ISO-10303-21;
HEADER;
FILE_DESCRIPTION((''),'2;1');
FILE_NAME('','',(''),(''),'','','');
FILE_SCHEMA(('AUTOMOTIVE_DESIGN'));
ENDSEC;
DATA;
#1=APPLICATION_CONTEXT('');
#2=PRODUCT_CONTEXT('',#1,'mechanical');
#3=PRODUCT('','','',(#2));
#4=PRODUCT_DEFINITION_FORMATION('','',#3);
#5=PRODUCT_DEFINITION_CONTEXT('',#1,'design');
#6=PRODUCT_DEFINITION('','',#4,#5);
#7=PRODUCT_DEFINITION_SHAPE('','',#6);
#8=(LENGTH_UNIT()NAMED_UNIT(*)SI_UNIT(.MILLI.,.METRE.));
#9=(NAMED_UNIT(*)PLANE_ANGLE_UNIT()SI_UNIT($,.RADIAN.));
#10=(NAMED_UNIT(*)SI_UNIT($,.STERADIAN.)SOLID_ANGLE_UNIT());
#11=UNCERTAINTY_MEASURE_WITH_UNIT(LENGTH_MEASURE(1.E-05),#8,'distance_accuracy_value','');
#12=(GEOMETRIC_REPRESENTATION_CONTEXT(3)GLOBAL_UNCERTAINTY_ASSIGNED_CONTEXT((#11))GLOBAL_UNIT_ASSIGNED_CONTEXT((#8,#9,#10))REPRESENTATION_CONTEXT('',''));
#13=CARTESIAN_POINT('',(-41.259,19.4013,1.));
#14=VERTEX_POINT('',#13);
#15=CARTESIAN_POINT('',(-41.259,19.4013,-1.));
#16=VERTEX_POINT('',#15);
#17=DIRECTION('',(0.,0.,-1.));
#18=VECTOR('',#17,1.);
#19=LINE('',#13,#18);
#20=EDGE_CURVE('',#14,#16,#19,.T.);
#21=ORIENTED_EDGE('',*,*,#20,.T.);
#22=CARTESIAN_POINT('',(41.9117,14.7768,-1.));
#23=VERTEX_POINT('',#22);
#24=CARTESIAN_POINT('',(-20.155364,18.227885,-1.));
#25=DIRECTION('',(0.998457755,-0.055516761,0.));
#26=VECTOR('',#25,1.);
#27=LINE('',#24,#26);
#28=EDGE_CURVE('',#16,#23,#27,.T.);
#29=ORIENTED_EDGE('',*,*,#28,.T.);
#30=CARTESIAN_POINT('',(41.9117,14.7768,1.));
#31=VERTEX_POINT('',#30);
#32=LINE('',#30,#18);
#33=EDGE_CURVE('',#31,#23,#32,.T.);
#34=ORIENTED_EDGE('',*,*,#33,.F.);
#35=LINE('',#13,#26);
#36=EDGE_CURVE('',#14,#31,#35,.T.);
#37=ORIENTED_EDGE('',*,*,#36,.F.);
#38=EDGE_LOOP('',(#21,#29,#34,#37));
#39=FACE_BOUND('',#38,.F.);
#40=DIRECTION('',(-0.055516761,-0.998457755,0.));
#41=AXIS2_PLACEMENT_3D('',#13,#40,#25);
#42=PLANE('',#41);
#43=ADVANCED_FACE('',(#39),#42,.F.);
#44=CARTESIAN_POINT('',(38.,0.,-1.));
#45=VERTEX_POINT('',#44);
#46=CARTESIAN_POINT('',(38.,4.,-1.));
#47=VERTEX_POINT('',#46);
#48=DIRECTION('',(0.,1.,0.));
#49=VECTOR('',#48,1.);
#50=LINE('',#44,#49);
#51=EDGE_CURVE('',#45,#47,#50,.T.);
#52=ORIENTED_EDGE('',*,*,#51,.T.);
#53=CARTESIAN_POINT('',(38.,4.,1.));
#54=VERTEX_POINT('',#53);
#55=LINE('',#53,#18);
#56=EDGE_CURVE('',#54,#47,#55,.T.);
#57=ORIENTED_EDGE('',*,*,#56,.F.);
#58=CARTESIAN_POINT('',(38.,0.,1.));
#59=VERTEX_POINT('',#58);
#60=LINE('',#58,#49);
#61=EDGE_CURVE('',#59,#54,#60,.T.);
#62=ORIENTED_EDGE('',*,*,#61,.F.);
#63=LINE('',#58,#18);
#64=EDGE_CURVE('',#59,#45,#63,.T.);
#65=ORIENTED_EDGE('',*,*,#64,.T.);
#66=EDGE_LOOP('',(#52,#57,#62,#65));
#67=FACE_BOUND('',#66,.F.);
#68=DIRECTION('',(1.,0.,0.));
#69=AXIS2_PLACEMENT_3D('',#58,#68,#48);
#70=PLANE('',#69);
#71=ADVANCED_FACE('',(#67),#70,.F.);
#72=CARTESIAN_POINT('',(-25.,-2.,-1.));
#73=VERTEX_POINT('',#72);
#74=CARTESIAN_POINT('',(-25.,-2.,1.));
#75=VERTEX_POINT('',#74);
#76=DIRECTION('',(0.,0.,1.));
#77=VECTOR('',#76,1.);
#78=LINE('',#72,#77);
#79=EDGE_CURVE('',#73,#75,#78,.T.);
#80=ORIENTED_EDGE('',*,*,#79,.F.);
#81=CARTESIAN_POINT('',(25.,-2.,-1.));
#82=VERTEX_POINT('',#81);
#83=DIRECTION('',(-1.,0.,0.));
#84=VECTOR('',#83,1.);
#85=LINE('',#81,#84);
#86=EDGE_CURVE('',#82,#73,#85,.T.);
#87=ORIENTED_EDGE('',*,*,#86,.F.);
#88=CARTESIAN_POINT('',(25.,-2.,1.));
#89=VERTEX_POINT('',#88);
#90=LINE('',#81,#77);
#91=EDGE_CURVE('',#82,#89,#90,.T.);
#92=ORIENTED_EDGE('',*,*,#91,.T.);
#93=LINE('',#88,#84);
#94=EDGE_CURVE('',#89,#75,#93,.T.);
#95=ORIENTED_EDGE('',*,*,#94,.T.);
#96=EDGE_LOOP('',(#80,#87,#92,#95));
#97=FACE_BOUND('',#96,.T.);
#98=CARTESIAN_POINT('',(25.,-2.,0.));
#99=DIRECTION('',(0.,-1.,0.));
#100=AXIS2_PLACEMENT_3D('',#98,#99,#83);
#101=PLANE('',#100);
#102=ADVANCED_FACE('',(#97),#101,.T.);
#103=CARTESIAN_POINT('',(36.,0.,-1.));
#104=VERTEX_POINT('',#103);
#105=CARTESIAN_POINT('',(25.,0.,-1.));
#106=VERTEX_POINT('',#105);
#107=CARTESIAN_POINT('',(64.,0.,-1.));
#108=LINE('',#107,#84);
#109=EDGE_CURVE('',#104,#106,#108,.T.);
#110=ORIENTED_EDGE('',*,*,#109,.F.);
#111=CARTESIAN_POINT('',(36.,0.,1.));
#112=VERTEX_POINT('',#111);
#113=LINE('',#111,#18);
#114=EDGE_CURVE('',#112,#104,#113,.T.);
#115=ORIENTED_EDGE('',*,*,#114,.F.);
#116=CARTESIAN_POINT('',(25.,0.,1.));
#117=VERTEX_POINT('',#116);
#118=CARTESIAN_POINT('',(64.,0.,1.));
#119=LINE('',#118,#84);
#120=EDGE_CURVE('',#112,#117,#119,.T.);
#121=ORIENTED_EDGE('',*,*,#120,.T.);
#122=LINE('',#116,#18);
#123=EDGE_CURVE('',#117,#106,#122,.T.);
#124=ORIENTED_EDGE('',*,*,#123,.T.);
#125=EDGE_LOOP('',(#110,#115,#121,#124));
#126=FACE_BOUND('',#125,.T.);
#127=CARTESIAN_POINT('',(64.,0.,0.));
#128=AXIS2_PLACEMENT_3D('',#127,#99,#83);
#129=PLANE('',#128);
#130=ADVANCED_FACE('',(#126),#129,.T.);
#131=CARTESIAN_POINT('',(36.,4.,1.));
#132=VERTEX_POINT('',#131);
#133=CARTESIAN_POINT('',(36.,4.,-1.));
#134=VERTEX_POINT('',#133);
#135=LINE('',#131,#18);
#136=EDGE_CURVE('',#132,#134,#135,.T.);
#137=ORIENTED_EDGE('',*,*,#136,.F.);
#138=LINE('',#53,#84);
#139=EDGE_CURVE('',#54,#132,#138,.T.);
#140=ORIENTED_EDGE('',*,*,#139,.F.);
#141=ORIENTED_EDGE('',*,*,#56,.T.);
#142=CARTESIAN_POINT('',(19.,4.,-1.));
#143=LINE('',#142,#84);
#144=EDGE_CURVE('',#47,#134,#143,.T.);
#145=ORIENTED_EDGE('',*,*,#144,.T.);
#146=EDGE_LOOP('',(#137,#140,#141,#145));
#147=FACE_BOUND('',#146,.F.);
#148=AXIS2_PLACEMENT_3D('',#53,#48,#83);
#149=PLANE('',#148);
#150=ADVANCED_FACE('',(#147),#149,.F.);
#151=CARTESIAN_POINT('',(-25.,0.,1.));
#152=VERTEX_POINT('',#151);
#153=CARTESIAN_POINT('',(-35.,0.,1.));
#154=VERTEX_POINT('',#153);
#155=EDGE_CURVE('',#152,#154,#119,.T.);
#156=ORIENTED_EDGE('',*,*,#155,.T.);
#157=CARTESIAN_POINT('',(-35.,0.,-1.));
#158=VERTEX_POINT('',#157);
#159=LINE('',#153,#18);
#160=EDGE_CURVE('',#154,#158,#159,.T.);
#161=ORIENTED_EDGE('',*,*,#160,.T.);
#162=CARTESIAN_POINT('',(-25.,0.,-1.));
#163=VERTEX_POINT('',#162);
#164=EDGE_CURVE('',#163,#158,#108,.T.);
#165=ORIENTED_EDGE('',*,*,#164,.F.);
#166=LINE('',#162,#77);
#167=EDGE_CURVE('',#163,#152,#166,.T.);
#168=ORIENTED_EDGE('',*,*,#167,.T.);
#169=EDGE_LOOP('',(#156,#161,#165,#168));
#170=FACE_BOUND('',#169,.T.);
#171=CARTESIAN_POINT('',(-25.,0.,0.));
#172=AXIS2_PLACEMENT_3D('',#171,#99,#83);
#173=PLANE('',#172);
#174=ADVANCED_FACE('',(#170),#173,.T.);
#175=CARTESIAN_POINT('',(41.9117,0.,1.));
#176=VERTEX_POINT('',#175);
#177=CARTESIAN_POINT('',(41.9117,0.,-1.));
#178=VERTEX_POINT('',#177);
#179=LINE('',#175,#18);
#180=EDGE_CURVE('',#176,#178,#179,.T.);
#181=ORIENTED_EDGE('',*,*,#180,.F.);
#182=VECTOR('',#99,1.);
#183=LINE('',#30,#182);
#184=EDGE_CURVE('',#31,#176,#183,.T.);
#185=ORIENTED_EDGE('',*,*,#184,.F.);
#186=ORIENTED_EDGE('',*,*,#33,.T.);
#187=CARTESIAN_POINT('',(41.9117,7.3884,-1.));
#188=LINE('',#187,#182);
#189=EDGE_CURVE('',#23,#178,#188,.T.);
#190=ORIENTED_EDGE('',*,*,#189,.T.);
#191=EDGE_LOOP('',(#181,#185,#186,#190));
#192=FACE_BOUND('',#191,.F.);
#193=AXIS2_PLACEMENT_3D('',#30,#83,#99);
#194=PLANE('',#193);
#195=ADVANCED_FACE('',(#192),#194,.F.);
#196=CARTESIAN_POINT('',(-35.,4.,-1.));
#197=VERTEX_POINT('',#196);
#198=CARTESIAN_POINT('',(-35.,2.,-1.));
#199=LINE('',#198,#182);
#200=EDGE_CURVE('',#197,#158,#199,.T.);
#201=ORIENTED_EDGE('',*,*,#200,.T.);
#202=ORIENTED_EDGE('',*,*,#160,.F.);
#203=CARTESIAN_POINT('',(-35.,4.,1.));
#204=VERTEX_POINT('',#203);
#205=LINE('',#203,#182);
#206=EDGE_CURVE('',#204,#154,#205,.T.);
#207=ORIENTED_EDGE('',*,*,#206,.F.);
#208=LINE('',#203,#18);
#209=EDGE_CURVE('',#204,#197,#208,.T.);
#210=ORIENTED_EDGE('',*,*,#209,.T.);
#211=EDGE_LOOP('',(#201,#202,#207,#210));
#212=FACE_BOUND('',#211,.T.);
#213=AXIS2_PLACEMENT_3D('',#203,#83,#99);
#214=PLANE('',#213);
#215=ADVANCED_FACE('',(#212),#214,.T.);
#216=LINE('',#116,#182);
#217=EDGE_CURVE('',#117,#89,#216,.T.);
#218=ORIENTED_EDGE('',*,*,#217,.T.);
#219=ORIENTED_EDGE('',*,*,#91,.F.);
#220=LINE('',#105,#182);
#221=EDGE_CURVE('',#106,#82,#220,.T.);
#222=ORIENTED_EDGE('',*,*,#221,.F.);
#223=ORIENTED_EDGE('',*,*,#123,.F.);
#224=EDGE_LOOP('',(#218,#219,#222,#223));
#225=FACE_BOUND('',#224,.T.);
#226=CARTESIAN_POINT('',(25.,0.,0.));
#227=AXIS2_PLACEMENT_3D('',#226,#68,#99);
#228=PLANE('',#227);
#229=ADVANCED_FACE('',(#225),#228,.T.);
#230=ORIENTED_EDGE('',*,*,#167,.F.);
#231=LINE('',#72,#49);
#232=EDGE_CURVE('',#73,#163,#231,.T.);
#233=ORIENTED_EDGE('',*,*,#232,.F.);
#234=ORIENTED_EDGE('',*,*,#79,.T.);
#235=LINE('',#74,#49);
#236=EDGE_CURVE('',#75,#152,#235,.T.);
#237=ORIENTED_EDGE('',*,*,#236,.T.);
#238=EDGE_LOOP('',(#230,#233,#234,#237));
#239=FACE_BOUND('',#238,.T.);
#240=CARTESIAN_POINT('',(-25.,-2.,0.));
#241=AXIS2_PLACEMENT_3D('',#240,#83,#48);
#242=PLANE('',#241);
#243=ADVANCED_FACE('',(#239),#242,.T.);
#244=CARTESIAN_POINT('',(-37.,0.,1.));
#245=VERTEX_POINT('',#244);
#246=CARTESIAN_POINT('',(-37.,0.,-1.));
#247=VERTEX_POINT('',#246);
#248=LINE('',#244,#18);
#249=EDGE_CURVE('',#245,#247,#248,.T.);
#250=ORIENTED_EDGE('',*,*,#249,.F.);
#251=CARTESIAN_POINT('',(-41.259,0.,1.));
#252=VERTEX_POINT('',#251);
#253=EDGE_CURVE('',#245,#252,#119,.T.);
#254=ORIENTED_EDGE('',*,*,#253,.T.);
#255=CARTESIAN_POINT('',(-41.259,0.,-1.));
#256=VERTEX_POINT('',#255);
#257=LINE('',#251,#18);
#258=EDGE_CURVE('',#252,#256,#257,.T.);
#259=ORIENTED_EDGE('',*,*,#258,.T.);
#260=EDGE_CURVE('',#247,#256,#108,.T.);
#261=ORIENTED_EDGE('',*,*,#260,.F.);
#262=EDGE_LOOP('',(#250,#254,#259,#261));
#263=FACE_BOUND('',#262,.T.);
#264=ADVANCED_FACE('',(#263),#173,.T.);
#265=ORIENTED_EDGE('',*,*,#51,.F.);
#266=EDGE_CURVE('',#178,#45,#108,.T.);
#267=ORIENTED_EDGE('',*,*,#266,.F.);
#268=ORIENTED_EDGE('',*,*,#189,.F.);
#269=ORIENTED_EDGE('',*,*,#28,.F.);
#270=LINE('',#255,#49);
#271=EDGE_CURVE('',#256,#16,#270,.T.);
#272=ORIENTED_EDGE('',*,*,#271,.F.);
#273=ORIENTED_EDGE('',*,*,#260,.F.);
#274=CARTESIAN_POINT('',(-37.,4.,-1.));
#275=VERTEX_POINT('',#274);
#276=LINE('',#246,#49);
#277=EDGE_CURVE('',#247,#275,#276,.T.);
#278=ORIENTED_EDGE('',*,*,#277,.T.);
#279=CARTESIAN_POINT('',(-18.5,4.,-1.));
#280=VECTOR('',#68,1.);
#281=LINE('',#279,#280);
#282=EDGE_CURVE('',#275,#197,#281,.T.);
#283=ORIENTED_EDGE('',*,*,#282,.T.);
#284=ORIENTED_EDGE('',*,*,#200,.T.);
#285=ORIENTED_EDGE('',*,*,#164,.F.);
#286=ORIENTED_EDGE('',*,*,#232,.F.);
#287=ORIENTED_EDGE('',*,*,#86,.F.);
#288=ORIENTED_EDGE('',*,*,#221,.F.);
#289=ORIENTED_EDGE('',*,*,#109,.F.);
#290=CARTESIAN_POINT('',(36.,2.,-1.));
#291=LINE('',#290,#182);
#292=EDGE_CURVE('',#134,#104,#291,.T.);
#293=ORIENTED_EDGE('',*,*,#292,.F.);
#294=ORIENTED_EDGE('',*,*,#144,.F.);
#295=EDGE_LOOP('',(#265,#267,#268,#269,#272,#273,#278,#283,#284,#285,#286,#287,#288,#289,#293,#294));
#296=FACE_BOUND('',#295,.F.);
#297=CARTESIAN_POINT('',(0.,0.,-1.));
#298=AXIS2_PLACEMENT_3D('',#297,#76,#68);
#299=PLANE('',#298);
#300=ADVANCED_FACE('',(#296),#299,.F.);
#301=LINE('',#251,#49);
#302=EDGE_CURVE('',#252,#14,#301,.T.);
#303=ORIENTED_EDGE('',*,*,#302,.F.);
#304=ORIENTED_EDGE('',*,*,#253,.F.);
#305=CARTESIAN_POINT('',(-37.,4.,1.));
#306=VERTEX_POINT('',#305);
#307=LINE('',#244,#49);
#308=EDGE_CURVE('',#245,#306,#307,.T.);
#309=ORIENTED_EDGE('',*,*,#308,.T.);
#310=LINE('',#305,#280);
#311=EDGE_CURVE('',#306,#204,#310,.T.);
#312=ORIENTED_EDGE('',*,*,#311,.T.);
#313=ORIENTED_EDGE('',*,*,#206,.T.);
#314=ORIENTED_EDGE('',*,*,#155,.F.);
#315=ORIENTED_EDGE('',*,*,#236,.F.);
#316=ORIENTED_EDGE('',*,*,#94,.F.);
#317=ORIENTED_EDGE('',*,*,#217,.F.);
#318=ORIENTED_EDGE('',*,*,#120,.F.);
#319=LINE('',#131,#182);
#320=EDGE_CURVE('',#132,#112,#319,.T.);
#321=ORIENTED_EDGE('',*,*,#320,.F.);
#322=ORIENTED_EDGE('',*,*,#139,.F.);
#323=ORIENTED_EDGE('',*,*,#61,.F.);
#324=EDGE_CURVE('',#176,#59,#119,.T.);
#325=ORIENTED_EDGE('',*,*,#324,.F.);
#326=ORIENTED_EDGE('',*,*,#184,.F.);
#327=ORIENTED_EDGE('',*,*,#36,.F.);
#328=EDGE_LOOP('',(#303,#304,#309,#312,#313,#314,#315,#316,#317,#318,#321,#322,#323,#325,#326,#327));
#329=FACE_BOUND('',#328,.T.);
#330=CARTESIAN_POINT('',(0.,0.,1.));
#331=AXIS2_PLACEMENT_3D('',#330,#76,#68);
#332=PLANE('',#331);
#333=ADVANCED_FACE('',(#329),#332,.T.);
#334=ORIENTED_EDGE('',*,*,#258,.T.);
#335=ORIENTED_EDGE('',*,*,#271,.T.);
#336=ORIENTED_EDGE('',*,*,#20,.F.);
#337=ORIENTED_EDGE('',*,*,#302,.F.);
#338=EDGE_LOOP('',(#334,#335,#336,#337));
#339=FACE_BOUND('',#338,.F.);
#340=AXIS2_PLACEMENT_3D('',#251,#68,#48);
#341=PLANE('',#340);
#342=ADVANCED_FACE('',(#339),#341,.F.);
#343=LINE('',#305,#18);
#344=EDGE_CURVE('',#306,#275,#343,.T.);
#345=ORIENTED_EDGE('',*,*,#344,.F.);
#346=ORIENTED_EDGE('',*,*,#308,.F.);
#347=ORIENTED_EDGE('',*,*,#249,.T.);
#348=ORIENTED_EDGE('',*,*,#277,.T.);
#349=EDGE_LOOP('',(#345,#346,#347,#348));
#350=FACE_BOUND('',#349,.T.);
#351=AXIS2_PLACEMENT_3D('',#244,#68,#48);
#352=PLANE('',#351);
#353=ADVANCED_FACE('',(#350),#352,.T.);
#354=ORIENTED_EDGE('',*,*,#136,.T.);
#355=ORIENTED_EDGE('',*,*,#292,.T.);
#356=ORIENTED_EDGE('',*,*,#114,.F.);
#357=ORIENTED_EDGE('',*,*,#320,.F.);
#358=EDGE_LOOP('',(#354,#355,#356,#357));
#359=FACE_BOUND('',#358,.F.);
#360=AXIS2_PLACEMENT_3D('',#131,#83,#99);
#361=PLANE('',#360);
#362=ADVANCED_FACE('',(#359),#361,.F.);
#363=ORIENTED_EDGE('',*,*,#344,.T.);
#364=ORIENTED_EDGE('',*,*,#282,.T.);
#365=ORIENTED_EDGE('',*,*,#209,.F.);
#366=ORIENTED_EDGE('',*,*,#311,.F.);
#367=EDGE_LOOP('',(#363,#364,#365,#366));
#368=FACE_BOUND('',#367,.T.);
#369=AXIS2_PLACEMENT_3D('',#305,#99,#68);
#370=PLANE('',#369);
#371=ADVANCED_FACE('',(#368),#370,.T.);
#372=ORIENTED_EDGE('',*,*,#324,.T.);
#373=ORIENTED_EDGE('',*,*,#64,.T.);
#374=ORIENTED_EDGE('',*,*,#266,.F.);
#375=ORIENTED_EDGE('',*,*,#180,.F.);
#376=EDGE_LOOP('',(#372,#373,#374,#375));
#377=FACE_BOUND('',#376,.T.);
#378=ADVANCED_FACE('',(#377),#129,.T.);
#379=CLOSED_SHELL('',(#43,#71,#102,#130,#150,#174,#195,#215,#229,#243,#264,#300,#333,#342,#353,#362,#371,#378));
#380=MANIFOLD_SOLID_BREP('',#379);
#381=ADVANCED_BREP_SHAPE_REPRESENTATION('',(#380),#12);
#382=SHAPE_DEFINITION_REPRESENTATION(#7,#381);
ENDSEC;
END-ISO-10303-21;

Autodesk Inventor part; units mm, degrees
ref_plane "YZ Plane" through (0, 0, 0) normal (1, 0, 0) x (0, 1, 0)
ref_plane "XZ Plane" through (0, 0, 0) normal (0, 1, 0) x (-1, 0, 0)
ref_plane "XY Plane" through (0, 0, 0) normal (0, 0, 1) x (1, 0, 0)
sketch "Sketch1" plane through (0, 0, 0) normal (0, 0, 1) x (1, 0, 0)
  line L0 (-64, 50) -> (64, 50)
  line L1 (64, 50) -> (64, 0)
  line L2 (64, 0) -> (-64, 0)
  line L3 (-64, 0) -> (-64, 50)
  line L4 (-25, 0) -> (25, 0)
  line L5 (25, 0) -> (25, -2)
  line L6 (25, -2) -> (-25, -2)
  line L7 (-25, -2) -> (-25, 0)
  point P0 (0, 0)
  point P1 (0, 0)
  dimension "d0" = 50
  dimension "d1" = 128
  dimension "d2" = 2
  dimension "d3" = 50
extrude "Extrusion1" add sketch "Sketch1" along normal mid plane 2
sketch "Sketch2" plane through (0, 0, 1) normal (0, 0, 1) x (1, 0, 0)
  line L0 (-37.004, 19.1647) -> (37.8795, 15.001) projected
  line L1 (37.8795, 15.001) -> (37.8795, 6.0072) projected
  line L2 (37.8795, 6.0072) -> (-37.004, 10.1709) projected
  line L3 (-37.004, 10.1709) -> (-37.004, 19.1647) projected
  line L4 (-41.259, 17.7892) -> (-41.259, 8.0268) projected
  line L5 (41.9117, 3.4023) -> (41.9117, 13.1647) projected
  point P0 (0, 0)
sketch "Sketch3" plane through (0, 0, 1) normal (0, 0, 1) x (1, 0, 0)
  line L0 (-41.259, 17.7892) -> (-41.259, 8.0268) construction
  line L1 (-37.004, 19.1647) -> (37.8795, 15.001) construction
  line L2 (41.9117, 3.4023) -> (41.9117, 13.1647) construction
  line L3 (-41.259, 19.4013) -> (41.9117, 14.7768)
  line L4 (41.9117, 14.7768) -> (41.9117, 0)
  line L5 (91.9117, 0) -> (91.9117, 60)
  line L6 (91.9117, 60) -> (-91.259, 60)
  line L7 (-91.259, 60) -> (-91.259, 0)
  line L8 (-91.259, 0) -> (-41.259, 0)
  line L9 (-41.259, 0) -> (-41.259, 19.4013)
  line L10 (41.9117, 0) -> (91.9117, 0)
  point P0 (0, 0)
  dimension "d6" = 60
  dimension "d7" = 50
  dimension "d8" = 50
extrude "Extrusion2" cut sketch "Sketch3" against normal through all
sketch "Sketch4" plane through (0, 0, 1) normal (0, 0, 1) x (1, 0, 0)
  line L0 (36, 15.6306) -> (36, 0) projected
  line L1 (38, 15.6306) -> (36, 15.6306) projected
  line L2 (38, 0) -> (38, 15.6306) projected
  line L3 (36, 0) -> (38, 0) projected
  line L4 (-37, 19.7943) -> (-37, 0) projected
  line L5 (-35, 19.7943) -> (-37, 19.7943) projected
  line L6 (-35, 0) -> (-35, 19.7943) projected
  line L7 (-37, 0) -> (-35, 0) projected
  point P0 (0, 0)
sketch "Sketch5" plane through (0, 0, 1) normal (0, 0, 1) x (1, 0, 0)
  line L0 (-37, 19.7943) -> (-37, 0) construction
  line L1 (-35, 0) -> (-35, 19.7943) construction
  line L2 (36, 15.6306) -> (36, 0) construction
  line L3 (38, 0) -> (38, 15.6306) construction
  line L4 (-37, 4) -> (-35, 4)
  line L5 (-35, 4) -> (-35, 0)
  line L6 (-35, 0) -> (-37, 0)
  line L7 (-37, 0) -> (-37, 4)
  line L8 (38, 4) -> (36, 4)
  line L9 (36, 4) -> (36, 0)
  line L10 (36, 0) -> (38, 0)
  line L11 (38, 0) -> (38, 4)
  point P0 (0, 0)
  dimension "d11" = 4
  dimension "d12" = 4
extrude "Extrusion3" cut sketch "Sketch5" against normal through all
properties part number "angle_plate_short_tall"
